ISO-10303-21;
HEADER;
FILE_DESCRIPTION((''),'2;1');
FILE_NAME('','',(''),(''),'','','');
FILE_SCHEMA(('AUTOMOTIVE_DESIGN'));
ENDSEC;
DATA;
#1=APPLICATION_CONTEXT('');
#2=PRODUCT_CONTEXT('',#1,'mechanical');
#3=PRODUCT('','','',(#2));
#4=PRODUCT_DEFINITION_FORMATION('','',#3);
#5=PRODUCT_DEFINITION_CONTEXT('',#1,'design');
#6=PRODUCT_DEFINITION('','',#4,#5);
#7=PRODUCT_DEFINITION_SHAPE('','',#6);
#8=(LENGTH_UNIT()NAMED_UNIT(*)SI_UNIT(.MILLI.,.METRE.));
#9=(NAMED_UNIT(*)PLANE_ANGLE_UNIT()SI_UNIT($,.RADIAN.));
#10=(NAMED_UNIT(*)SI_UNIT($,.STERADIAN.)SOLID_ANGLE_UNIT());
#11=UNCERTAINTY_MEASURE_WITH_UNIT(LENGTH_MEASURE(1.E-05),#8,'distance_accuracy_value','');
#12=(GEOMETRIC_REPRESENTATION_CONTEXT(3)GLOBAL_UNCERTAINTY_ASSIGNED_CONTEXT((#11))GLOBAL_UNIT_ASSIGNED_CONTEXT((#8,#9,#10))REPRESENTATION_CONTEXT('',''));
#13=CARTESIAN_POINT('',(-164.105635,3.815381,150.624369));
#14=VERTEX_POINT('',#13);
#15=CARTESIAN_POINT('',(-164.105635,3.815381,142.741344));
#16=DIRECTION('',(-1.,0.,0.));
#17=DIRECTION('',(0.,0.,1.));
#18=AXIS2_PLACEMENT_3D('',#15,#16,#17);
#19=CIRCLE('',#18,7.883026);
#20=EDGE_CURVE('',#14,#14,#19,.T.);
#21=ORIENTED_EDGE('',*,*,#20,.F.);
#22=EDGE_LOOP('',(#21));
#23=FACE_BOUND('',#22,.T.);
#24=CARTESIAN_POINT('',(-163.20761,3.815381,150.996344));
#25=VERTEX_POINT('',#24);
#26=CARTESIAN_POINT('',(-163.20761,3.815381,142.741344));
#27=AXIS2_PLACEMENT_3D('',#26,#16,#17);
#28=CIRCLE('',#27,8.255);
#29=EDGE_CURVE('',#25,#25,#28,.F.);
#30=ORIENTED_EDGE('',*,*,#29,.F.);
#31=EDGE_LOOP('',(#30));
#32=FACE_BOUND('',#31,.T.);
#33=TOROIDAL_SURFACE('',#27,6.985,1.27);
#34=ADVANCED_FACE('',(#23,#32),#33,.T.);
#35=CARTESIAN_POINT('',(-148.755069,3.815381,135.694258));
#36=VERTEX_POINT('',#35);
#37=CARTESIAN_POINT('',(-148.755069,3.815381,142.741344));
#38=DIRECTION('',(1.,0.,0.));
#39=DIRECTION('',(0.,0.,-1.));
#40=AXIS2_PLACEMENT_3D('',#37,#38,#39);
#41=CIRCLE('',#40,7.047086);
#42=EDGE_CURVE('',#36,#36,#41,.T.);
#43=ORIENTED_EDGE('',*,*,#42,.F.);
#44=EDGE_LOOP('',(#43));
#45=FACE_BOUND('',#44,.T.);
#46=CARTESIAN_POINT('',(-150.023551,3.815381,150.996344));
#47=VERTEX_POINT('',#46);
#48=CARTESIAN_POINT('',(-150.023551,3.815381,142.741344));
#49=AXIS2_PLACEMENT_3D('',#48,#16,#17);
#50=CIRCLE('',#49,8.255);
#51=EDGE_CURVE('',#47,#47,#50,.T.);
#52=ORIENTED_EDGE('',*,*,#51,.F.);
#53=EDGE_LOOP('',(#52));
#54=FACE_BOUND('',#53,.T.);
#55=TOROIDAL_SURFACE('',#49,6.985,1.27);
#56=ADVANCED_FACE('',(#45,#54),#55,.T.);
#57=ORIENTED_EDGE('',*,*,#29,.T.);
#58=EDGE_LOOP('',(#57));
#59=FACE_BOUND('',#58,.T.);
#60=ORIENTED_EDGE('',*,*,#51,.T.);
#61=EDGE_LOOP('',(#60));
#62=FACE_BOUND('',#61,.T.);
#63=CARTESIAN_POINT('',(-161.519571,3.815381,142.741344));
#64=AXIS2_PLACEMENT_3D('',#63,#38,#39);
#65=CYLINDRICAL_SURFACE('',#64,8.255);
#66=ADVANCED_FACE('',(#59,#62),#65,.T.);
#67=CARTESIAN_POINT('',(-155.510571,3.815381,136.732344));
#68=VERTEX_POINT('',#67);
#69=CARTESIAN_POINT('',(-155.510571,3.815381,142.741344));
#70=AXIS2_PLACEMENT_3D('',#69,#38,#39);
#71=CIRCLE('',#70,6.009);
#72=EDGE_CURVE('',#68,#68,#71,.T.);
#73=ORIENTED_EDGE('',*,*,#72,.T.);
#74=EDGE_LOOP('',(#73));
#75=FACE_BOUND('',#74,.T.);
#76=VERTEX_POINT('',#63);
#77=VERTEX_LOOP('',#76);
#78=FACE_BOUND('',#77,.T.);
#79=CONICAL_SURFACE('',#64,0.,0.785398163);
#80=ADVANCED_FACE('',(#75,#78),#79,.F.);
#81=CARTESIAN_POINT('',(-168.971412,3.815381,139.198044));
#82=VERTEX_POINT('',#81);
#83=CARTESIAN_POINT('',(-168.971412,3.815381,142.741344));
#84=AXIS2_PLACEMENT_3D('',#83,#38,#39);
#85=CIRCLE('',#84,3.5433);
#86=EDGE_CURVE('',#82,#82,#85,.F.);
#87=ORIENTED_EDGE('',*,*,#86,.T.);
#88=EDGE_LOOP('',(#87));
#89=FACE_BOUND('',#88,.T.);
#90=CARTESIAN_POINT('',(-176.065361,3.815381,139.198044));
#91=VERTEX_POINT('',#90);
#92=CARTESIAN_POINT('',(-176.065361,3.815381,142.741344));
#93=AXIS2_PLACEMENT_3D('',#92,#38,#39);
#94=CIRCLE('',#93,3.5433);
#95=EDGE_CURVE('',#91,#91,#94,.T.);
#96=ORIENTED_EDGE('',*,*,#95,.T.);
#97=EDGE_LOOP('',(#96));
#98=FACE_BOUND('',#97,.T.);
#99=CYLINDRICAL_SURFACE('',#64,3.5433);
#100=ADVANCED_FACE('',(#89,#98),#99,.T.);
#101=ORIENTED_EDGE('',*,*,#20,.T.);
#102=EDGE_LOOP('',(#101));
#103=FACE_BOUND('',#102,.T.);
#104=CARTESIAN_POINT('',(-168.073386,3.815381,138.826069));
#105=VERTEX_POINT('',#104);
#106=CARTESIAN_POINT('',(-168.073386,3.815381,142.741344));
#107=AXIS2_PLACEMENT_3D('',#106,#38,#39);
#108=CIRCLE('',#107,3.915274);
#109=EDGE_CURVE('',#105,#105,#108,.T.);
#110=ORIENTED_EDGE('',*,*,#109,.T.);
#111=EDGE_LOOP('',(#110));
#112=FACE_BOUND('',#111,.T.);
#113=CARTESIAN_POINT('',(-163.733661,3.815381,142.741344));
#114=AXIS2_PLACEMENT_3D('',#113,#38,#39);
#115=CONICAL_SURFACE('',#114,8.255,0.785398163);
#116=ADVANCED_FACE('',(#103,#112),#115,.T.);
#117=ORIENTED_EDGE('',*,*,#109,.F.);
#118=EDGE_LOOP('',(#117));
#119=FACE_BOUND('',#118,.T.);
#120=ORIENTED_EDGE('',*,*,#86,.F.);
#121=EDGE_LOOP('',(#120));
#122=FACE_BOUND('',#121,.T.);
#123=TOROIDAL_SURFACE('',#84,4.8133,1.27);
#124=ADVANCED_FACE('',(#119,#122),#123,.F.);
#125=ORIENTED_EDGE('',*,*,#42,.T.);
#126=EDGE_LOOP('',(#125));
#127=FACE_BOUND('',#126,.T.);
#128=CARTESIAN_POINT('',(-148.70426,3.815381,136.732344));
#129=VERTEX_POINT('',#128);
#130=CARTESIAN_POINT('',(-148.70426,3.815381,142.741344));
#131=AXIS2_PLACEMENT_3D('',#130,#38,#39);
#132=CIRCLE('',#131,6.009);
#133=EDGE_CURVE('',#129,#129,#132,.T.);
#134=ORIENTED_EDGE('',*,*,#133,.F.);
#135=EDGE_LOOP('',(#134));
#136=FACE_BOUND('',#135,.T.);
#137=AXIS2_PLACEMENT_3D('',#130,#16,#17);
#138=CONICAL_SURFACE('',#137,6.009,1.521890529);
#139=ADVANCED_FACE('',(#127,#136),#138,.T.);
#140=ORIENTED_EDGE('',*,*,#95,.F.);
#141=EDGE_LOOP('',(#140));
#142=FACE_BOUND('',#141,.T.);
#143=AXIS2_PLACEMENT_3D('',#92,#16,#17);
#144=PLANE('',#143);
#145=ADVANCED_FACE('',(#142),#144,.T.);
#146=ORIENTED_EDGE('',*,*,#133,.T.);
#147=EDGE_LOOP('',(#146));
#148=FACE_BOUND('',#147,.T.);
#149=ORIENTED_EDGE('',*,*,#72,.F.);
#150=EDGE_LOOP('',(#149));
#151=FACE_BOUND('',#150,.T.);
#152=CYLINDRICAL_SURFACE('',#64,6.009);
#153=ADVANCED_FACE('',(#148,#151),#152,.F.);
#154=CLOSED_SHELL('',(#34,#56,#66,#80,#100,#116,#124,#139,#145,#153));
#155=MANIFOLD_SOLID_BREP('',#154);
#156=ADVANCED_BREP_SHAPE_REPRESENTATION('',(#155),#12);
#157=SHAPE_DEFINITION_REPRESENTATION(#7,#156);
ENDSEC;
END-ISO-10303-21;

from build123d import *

# Parameters (mm, degrees)
FILLET1_R = 1.27


with BuildPart() as part:
    # Sketch2 → Revolve1 (revolve)
    with BuildSketch(Plane(origin=(-264.677360787, 57.593912348, 41.335049774), x_dir=(-1, 0, 0), z_dir=(0, 0.8834532092441242, 0.4685193988259799)), mode=Mode.PRIVATE) as revolve1_sk:
        Polygon((-96.232, 111.240700647), (-88.612, 111.240700647), (-88.612, 114.784000647), (-103.157789755, 114.784000647), (-109.166789755, 108.775000647), (-115.97310043, 108.775000647), (-115.863170352, 106.529000647), (-100.9437, 106.529000647), align=None)
    revolve(revolve1_sk.sketch.rotate(Axis((-161.519571032, 3.81538137, 142.741343516), (-1, 0, 0)), 27.93823036), axis=Axis((-161.519571032, 3.81538137, 142.741343516), (-1, 0, 0)))

    # Fillet1
    fillet1_edges = [part.edges().sort_by_distance(p)[0] for p in [
        (-168.445360787, 3.81538137, 146.284643516),
        (-163.733660787, 3.81538137, 150.996343516),
        (-148.814190436, 3.81538137, 150.996343516),
    ]]
    fillet(fillet1_edges, radius=FILLET1_R)


solid = part.part
